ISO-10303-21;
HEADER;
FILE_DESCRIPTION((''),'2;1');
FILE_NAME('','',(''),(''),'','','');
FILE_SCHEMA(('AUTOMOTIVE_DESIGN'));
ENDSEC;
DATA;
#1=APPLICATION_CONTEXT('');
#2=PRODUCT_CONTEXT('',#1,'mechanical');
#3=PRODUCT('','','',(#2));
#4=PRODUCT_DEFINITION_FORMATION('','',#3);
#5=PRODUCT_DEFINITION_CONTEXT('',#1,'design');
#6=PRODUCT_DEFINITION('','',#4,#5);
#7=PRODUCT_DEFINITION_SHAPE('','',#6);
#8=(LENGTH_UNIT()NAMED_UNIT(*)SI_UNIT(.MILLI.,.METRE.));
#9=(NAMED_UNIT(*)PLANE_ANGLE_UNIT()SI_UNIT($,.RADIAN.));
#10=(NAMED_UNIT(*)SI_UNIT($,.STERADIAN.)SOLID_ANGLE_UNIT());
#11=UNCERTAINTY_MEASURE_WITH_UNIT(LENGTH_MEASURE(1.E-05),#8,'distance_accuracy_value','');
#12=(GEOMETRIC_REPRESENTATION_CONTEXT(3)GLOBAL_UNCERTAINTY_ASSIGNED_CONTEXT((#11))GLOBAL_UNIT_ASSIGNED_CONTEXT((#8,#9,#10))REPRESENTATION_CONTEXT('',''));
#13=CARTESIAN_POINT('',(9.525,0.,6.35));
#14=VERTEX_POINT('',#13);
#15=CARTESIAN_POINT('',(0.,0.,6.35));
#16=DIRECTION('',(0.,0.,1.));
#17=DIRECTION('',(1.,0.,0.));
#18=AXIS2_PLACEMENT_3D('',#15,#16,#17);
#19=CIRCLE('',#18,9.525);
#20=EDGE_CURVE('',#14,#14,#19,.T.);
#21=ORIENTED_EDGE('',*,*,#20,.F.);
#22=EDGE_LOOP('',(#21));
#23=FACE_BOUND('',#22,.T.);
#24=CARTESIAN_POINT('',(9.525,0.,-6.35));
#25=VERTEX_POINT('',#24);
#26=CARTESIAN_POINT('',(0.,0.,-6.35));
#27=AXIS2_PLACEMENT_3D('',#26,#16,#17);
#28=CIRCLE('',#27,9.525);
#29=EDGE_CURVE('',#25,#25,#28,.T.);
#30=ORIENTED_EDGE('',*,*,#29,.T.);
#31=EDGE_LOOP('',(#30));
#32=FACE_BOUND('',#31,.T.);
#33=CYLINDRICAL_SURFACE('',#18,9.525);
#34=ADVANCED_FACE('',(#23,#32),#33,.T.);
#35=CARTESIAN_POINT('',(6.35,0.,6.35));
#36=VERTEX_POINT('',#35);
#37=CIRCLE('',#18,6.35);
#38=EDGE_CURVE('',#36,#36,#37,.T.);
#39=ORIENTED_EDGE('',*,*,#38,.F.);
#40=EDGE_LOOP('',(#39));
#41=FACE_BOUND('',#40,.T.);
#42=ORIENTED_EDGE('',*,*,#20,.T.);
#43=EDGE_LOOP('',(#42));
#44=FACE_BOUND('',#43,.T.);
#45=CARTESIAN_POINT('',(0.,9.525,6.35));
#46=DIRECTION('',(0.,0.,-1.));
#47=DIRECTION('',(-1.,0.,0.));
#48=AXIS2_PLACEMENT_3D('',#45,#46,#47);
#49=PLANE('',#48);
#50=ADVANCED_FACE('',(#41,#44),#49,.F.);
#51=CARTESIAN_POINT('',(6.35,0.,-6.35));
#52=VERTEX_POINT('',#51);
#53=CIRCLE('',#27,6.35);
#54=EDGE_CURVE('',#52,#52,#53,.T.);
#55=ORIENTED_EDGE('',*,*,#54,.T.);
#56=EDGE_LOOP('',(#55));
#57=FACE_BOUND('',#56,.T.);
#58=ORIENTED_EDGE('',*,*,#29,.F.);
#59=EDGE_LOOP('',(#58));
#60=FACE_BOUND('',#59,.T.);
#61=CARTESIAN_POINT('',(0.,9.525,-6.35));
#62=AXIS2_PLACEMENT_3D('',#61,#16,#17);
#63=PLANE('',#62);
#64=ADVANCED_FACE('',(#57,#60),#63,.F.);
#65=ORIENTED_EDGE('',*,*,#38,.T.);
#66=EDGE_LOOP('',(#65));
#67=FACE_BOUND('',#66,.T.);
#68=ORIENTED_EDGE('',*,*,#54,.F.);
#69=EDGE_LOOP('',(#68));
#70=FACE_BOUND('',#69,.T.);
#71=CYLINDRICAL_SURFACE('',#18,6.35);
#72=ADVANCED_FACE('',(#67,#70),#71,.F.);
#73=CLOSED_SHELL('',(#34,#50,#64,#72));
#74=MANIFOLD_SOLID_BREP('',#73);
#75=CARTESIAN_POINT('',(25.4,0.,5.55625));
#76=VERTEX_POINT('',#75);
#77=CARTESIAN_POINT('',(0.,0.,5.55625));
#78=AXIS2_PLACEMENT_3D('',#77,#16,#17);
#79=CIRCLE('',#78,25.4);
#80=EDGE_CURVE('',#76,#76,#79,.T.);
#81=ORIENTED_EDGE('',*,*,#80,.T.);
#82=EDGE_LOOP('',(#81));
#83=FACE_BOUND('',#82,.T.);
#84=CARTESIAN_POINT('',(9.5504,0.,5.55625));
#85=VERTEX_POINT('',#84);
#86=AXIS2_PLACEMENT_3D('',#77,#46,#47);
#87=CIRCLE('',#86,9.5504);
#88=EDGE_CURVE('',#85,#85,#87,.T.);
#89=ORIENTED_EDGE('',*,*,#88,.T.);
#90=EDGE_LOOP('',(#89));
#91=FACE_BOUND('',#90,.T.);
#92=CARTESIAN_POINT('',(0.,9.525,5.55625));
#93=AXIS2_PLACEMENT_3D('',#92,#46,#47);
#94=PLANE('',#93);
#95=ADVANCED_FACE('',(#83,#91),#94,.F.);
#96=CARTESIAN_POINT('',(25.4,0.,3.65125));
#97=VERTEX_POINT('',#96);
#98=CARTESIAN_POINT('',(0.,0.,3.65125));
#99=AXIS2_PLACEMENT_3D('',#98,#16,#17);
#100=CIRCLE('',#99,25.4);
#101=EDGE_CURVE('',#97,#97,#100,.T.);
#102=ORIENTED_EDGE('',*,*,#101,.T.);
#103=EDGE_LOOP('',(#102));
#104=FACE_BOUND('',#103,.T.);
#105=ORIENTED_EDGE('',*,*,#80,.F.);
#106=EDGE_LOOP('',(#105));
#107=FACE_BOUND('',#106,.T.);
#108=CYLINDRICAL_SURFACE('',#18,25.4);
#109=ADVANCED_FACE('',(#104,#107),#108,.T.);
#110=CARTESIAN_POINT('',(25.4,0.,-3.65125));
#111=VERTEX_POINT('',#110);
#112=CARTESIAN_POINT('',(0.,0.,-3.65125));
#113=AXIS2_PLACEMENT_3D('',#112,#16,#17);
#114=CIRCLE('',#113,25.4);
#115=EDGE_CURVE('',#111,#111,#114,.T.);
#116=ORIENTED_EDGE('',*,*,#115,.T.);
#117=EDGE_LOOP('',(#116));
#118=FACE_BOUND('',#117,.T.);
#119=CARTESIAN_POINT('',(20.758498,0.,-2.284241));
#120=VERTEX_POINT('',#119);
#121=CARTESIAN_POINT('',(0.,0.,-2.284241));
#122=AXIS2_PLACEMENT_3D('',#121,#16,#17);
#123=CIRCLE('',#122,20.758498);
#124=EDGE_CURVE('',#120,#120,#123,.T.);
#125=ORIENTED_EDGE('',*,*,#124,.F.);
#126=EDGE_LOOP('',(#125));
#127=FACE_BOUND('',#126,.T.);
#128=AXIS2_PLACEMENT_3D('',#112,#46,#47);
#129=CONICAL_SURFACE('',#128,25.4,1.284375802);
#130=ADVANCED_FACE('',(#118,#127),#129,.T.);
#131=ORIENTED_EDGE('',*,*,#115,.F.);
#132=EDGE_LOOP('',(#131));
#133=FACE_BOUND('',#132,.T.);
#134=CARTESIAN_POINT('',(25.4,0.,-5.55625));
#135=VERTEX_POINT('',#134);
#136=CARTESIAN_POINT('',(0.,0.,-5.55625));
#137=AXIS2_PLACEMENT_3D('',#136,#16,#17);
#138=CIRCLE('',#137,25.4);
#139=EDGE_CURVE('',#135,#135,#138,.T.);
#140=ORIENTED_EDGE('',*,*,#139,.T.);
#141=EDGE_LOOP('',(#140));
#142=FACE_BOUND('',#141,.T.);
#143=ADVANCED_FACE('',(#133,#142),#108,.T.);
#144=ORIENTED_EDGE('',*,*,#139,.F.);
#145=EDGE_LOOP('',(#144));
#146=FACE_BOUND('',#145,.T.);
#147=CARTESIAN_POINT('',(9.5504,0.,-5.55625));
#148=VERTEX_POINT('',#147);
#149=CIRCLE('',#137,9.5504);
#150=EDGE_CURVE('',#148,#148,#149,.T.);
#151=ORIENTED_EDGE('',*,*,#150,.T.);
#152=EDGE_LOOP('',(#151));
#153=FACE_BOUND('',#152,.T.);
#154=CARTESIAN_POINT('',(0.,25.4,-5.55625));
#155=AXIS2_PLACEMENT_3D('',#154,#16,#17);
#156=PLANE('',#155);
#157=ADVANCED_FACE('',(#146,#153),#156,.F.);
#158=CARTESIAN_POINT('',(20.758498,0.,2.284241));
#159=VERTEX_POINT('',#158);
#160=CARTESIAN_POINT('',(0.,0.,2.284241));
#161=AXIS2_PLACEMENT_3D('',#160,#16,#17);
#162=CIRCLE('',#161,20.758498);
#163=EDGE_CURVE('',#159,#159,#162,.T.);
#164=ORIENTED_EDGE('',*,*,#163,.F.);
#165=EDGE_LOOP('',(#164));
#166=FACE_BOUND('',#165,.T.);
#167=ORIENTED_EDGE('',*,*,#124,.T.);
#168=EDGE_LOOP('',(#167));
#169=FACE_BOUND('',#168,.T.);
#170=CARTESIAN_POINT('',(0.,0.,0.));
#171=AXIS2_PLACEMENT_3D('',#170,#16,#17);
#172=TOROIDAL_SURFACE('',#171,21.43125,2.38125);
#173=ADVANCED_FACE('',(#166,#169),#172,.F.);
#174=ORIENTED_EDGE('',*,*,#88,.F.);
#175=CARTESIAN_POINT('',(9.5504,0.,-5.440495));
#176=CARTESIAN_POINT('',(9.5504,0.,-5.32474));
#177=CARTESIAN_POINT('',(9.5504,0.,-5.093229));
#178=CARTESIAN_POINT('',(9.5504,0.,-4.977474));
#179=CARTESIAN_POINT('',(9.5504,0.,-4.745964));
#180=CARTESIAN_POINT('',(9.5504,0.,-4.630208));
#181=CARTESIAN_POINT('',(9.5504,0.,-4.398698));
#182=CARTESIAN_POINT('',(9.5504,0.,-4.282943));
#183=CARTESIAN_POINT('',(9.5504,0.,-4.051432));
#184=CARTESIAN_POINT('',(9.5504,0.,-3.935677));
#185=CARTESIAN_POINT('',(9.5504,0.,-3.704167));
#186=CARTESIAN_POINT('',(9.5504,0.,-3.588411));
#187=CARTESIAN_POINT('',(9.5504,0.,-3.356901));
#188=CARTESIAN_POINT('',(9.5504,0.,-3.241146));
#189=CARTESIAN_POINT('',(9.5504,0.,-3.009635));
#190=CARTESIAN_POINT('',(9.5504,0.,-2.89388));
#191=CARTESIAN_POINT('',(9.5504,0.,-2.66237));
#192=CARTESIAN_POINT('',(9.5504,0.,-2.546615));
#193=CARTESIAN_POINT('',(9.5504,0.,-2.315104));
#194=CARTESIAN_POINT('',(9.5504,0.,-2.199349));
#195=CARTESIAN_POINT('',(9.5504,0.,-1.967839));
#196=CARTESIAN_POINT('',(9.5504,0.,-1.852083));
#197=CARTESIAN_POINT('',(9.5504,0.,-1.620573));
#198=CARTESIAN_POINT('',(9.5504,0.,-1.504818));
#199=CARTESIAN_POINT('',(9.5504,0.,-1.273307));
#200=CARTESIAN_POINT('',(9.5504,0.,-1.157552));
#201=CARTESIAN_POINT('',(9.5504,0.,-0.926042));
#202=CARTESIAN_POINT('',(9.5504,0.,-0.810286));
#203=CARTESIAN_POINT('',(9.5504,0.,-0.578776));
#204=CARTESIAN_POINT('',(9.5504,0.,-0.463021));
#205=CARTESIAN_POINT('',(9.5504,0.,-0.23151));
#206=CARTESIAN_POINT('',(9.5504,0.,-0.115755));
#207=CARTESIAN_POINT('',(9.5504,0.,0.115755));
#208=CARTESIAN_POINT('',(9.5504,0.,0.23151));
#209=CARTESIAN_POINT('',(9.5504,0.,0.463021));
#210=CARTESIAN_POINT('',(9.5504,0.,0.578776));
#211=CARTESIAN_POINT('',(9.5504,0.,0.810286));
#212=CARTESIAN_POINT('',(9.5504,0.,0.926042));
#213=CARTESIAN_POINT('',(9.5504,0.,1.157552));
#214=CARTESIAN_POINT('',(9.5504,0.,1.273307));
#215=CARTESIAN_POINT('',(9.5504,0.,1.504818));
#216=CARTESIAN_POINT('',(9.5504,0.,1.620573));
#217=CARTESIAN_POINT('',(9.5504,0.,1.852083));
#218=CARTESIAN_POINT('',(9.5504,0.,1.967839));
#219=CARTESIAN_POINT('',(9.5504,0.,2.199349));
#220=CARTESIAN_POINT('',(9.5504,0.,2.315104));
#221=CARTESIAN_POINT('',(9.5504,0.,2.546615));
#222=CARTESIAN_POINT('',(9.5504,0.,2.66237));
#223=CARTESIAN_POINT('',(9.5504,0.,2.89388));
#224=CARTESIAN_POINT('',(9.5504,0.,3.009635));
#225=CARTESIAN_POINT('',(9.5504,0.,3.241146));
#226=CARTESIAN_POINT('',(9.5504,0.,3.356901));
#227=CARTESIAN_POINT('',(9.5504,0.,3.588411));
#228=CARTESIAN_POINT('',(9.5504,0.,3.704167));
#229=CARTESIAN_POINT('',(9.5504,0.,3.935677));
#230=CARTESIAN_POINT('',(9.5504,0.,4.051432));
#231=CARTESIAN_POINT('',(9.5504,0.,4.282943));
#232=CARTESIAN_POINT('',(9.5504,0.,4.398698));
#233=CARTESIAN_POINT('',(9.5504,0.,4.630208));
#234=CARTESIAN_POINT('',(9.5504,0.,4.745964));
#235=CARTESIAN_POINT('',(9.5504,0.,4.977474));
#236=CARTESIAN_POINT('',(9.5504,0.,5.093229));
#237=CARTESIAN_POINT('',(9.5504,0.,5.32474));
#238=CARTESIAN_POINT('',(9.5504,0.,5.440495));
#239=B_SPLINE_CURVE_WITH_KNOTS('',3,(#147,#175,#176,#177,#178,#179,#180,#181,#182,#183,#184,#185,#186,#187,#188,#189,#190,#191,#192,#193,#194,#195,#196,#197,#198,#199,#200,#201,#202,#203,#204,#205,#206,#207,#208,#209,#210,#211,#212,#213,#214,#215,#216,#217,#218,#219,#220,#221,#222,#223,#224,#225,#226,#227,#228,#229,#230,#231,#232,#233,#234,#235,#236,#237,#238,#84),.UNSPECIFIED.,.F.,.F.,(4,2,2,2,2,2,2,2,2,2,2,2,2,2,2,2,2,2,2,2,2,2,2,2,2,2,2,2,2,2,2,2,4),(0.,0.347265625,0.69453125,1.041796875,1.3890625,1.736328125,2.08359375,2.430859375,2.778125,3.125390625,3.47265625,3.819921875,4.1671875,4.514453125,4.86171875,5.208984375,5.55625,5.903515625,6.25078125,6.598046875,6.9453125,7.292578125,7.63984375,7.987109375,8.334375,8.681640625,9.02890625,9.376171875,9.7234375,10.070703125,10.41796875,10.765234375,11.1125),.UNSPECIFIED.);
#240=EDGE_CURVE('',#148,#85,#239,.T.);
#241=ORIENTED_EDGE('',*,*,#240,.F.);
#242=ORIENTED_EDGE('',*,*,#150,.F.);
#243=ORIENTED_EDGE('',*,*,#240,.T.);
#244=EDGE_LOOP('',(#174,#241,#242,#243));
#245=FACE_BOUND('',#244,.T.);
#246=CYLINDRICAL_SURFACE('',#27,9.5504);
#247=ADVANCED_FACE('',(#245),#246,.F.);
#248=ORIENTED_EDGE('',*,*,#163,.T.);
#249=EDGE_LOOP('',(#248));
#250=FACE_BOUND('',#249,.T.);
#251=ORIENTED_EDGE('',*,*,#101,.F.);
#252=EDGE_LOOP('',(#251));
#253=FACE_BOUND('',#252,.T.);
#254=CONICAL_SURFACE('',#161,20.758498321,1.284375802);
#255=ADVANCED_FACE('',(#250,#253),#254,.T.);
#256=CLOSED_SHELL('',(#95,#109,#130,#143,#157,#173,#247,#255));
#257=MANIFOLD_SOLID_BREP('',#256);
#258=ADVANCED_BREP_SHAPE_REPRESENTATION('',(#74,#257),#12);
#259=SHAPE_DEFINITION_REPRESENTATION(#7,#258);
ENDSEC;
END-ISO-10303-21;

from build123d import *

# Parameters (mm, degrees)
SKETCH2_R                    = 9.5504
SKETCH2_R_2                  = 9.525
CUT_EXTRUDE_THIN1_DEPTH      = 37.477972806
CUT_EXTRUDE_THIN1_DEPTH_BACK = 37.477972806


with BuildPart() as part:
    # Sketch1 → Revolve1 (revolve)
    with BuildSketch(Plane(origin=(0, 0, 0), x_dir=(0, 0, -1), z_dir=(1, 0, 0)), mode=Mode.PRIVATE) as revolve1_sk:
        with BuildLine():
            Line((3.65125, 25.4), (5.55625, 25.4))
            Line((5.55625, 25.4), (5.55625, 9.525))
            Line((5.55625, 9.525), (6.35, 9.525))
            Line((6.35, 9.525), (6.35, 6.35))
            Line((6.35, 6.35), (-6.35, 6.35))
            Line((-6.35, 6.35), (-6.35, 9.525))
            Line((-6.35, 9.525), (-5.55625, 9.525))
            Line((-5.55625, 9.525), (-5.55625, 25.4))
            Line((-5.55625, 25.4), (-3.65125, 25.4))
            Line((-3.65125, 25.4), (-2.284240955, 20.758498321))
            ThreePointArc((-2.284240955, 20.758498321), (0, 19.05), (2.284240955, 20.758498321))
            Line((2.284240955, 20.758498321), (3.65125, 25.4))
        make_face()
    revolve(revolve1_sk.sketch.rotate(Axis((0, 0, 6.35), (0, 0, -1)), 90), axis=Axis((0, 0, 6.35), (0, 0, -1)))

    # Sketch2 → Cut-Extrude-Thin1 (cut, two sides)
    with BuildSketch(Plane.XY) as cut_extrude_thin1_sk:
        Circle(SKETCH2_R)
        Circle(SKETCH2_R_2, mode=Mode.SUBTRACT)
    extrude(amount=CUT_EXTRUDE_THIN1_DEPTH, mode=Mode.SUBTRACT)
    extrude(cut_extrude_thin1_sk.sketch, amount=-CUT_EXTRUDE_THIN1_DEPTH_BACK, mode=Mode.SUBTRACT)


with BuildPart() as cut_extrude_thin1_piece_1:
    # of the separate pieces the step leaves, piece 1, a body of its own (cut_extrude_thin1_pieces)
    add(part.part.solids().sort_by_distance((25.4, 0, -3.65125))[0])


with BuildPart() as cut_extrude_thin1_piece_2:
    # of the separate pieces the step leaves, piece 2, a body of its own (cut_extrude_thin1_pieces)
    add(part.part.solids().sort_by_distance((9.525, 0, -5.55625))[0])


solid = Compound([cut_extrude_thin1_piece_1.part, cut_extrude_thin1_piece_2.part])
